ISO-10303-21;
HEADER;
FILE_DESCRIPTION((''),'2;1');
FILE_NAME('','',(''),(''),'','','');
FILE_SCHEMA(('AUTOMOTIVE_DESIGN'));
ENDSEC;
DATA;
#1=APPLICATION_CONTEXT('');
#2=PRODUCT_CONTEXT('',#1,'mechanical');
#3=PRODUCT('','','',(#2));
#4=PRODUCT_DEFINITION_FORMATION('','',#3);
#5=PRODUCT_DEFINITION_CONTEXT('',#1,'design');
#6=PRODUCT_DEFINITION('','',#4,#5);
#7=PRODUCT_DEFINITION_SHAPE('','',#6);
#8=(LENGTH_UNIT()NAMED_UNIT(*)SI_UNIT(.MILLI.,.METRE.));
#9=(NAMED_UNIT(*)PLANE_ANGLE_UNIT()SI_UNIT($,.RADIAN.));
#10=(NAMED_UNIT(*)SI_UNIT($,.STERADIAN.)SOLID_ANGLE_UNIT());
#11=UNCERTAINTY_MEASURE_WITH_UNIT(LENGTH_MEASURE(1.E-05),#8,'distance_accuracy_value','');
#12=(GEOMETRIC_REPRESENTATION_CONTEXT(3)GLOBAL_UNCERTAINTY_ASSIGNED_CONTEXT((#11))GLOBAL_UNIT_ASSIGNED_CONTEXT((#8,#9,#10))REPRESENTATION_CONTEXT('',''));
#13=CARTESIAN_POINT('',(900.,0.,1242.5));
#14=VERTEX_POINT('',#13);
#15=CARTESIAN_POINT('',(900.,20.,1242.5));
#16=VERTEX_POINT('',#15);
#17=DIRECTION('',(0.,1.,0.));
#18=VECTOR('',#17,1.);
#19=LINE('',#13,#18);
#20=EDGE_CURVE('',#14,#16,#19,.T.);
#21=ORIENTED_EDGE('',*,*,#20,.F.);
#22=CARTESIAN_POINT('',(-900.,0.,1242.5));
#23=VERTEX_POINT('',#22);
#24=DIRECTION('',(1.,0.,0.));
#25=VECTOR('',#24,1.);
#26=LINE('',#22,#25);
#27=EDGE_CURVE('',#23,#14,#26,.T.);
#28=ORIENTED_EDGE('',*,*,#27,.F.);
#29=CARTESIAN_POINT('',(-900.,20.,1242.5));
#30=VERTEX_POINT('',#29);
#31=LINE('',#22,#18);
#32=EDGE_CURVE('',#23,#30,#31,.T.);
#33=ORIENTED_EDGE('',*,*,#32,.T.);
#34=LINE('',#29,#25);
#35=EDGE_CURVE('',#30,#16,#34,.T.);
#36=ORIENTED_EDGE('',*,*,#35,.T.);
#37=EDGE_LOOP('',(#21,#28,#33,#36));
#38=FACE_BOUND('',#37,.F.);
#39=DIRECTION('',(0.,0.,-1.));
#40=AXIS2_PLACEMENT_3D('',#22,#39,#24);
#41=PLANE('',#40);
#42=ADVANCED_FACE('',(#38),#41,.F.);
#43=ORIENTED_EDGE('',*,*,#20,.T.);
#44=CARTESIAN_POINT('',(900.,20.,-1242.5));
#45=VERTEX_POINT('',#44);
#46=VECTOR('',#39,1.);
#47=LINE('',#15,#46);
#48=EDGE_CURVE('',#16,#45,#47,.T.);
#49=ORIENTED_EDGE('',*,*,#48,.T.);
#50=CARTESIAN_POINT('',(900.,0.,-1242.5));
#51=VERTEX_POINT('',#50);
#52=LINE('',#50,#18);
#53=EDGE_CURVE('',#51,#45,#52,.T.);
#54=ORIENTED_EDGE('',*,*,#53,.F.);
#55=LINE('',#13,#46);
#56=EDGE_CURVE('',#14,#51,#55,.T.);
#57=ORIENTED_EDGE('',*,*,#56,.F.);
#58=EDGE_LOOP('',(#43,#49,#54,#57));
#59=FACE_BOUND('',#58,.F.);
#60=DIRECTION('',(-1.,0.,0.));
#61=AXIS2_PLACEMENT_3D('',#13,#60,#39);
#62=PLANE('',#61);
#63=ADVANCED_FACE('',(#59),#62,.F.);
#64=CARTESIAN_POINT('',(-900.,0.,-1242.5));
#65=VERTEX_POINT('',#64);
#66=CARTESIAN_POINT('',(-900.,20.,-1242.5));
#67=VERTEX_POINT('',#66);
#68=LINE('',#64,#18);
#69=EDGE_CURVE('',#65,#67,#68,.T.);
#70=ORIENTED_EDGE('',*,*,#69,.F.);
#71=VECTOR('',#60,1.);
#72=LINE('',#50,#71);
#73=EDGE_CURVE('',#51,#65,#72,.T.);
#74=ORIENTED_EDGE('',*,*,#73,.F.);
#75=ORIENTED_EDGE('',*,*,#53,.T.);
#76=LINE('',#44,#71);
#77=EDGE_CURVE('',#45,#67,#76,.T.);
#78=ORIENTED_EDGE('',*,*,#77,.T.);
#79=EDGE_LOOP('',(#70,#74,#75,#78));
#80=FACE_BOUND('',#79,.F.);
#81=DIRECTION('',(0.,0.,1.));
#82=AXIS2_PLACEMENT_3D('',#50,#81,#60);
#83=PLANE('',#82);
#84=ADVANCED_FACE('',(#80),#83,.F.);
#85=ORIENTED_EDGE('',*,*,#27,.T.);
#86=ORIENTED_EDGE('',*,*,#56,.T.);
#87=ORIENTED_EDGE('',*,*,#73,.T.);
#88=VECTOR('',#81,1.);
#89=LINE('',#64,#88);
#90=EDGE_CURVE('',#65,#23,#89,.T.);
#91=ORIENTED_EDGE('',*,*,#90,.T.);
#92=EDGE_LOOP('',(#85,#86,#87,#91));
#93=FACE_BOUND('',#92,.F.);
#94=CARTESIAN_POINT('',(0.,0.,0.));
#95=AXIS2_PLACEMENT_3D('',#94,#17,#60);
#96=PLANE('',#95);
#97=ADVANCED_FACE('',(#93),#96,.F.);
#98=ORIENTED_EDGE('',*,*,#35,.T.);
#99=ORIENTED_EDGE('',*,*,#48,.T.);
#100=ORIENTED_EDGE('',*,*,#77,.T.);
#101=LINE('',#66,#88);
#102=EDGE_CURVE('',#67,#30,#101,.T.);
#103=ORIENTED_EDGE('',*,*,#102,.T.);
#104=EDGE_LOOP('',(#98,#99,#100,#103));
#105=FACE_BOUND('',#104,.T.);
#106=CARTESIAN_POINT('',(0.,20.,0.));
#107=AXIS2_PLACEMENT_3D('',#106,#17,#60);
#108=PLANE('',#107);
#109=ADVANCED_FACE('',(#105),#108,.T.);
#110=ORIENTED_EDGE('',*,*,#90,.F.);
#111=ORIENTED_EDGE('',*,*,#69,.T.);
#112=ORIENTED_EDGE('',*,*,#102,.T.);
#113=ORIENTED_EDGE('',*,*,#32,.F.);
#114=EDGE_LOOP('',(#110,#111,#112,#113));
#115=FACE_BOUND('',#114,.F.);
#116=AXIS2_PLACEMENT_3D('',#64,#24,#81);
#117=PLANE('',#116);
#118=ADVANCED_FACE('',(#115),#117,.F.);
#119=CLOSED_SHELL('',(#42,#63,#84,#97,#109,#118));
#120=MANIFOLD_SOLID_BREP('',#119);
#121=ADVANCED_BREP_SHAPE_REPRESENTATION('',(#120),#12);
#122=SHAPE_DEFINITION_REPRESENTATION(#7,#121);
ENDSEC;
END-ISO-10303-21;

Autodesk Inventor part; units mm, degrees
ref_plane "YZ Plane" through (0, 0, 0) normal (1, 0, 0) x (0, 1, 0)
ref_plane "XZ Plane" through (0, 0, 0) normal (0, 1, 0) x (-1, 0, 0)
ref_plane "XY Plane" through (0, 0, 0) normal (0, 0, 1) x (1, 0, 0)
sketch "Эскиз1" plane through (0, 0, 0) normal (0, 1, 0) x (-1, 0, 0)
  line L0 (-900, -1242.5) -> (900, -1242.5)
  line L1 (900, -1242.5) -> (900, 1242.5)
  line L2 (900, 1242.5) -> (-900, 1242.5)
  line L3 (-900, 1242.5) -> (-900, -1242.5)
  line L4 (-900, -1242.5) -> (900, 1242.5) construction
  line L5 (900, -1242.5) -> (-900, 1242.5) construction
  point P0 (0, 0)
  dimension "d0" = 1800
  dimension "d1" = 2485
extrude "Пластина1" add sketch "Эскиз1" along normal blind 20
equation "\"d2\" = Толщина"
equation "\"Толщина\" = 20"
properties part number "Lift.03.01.00.06"
